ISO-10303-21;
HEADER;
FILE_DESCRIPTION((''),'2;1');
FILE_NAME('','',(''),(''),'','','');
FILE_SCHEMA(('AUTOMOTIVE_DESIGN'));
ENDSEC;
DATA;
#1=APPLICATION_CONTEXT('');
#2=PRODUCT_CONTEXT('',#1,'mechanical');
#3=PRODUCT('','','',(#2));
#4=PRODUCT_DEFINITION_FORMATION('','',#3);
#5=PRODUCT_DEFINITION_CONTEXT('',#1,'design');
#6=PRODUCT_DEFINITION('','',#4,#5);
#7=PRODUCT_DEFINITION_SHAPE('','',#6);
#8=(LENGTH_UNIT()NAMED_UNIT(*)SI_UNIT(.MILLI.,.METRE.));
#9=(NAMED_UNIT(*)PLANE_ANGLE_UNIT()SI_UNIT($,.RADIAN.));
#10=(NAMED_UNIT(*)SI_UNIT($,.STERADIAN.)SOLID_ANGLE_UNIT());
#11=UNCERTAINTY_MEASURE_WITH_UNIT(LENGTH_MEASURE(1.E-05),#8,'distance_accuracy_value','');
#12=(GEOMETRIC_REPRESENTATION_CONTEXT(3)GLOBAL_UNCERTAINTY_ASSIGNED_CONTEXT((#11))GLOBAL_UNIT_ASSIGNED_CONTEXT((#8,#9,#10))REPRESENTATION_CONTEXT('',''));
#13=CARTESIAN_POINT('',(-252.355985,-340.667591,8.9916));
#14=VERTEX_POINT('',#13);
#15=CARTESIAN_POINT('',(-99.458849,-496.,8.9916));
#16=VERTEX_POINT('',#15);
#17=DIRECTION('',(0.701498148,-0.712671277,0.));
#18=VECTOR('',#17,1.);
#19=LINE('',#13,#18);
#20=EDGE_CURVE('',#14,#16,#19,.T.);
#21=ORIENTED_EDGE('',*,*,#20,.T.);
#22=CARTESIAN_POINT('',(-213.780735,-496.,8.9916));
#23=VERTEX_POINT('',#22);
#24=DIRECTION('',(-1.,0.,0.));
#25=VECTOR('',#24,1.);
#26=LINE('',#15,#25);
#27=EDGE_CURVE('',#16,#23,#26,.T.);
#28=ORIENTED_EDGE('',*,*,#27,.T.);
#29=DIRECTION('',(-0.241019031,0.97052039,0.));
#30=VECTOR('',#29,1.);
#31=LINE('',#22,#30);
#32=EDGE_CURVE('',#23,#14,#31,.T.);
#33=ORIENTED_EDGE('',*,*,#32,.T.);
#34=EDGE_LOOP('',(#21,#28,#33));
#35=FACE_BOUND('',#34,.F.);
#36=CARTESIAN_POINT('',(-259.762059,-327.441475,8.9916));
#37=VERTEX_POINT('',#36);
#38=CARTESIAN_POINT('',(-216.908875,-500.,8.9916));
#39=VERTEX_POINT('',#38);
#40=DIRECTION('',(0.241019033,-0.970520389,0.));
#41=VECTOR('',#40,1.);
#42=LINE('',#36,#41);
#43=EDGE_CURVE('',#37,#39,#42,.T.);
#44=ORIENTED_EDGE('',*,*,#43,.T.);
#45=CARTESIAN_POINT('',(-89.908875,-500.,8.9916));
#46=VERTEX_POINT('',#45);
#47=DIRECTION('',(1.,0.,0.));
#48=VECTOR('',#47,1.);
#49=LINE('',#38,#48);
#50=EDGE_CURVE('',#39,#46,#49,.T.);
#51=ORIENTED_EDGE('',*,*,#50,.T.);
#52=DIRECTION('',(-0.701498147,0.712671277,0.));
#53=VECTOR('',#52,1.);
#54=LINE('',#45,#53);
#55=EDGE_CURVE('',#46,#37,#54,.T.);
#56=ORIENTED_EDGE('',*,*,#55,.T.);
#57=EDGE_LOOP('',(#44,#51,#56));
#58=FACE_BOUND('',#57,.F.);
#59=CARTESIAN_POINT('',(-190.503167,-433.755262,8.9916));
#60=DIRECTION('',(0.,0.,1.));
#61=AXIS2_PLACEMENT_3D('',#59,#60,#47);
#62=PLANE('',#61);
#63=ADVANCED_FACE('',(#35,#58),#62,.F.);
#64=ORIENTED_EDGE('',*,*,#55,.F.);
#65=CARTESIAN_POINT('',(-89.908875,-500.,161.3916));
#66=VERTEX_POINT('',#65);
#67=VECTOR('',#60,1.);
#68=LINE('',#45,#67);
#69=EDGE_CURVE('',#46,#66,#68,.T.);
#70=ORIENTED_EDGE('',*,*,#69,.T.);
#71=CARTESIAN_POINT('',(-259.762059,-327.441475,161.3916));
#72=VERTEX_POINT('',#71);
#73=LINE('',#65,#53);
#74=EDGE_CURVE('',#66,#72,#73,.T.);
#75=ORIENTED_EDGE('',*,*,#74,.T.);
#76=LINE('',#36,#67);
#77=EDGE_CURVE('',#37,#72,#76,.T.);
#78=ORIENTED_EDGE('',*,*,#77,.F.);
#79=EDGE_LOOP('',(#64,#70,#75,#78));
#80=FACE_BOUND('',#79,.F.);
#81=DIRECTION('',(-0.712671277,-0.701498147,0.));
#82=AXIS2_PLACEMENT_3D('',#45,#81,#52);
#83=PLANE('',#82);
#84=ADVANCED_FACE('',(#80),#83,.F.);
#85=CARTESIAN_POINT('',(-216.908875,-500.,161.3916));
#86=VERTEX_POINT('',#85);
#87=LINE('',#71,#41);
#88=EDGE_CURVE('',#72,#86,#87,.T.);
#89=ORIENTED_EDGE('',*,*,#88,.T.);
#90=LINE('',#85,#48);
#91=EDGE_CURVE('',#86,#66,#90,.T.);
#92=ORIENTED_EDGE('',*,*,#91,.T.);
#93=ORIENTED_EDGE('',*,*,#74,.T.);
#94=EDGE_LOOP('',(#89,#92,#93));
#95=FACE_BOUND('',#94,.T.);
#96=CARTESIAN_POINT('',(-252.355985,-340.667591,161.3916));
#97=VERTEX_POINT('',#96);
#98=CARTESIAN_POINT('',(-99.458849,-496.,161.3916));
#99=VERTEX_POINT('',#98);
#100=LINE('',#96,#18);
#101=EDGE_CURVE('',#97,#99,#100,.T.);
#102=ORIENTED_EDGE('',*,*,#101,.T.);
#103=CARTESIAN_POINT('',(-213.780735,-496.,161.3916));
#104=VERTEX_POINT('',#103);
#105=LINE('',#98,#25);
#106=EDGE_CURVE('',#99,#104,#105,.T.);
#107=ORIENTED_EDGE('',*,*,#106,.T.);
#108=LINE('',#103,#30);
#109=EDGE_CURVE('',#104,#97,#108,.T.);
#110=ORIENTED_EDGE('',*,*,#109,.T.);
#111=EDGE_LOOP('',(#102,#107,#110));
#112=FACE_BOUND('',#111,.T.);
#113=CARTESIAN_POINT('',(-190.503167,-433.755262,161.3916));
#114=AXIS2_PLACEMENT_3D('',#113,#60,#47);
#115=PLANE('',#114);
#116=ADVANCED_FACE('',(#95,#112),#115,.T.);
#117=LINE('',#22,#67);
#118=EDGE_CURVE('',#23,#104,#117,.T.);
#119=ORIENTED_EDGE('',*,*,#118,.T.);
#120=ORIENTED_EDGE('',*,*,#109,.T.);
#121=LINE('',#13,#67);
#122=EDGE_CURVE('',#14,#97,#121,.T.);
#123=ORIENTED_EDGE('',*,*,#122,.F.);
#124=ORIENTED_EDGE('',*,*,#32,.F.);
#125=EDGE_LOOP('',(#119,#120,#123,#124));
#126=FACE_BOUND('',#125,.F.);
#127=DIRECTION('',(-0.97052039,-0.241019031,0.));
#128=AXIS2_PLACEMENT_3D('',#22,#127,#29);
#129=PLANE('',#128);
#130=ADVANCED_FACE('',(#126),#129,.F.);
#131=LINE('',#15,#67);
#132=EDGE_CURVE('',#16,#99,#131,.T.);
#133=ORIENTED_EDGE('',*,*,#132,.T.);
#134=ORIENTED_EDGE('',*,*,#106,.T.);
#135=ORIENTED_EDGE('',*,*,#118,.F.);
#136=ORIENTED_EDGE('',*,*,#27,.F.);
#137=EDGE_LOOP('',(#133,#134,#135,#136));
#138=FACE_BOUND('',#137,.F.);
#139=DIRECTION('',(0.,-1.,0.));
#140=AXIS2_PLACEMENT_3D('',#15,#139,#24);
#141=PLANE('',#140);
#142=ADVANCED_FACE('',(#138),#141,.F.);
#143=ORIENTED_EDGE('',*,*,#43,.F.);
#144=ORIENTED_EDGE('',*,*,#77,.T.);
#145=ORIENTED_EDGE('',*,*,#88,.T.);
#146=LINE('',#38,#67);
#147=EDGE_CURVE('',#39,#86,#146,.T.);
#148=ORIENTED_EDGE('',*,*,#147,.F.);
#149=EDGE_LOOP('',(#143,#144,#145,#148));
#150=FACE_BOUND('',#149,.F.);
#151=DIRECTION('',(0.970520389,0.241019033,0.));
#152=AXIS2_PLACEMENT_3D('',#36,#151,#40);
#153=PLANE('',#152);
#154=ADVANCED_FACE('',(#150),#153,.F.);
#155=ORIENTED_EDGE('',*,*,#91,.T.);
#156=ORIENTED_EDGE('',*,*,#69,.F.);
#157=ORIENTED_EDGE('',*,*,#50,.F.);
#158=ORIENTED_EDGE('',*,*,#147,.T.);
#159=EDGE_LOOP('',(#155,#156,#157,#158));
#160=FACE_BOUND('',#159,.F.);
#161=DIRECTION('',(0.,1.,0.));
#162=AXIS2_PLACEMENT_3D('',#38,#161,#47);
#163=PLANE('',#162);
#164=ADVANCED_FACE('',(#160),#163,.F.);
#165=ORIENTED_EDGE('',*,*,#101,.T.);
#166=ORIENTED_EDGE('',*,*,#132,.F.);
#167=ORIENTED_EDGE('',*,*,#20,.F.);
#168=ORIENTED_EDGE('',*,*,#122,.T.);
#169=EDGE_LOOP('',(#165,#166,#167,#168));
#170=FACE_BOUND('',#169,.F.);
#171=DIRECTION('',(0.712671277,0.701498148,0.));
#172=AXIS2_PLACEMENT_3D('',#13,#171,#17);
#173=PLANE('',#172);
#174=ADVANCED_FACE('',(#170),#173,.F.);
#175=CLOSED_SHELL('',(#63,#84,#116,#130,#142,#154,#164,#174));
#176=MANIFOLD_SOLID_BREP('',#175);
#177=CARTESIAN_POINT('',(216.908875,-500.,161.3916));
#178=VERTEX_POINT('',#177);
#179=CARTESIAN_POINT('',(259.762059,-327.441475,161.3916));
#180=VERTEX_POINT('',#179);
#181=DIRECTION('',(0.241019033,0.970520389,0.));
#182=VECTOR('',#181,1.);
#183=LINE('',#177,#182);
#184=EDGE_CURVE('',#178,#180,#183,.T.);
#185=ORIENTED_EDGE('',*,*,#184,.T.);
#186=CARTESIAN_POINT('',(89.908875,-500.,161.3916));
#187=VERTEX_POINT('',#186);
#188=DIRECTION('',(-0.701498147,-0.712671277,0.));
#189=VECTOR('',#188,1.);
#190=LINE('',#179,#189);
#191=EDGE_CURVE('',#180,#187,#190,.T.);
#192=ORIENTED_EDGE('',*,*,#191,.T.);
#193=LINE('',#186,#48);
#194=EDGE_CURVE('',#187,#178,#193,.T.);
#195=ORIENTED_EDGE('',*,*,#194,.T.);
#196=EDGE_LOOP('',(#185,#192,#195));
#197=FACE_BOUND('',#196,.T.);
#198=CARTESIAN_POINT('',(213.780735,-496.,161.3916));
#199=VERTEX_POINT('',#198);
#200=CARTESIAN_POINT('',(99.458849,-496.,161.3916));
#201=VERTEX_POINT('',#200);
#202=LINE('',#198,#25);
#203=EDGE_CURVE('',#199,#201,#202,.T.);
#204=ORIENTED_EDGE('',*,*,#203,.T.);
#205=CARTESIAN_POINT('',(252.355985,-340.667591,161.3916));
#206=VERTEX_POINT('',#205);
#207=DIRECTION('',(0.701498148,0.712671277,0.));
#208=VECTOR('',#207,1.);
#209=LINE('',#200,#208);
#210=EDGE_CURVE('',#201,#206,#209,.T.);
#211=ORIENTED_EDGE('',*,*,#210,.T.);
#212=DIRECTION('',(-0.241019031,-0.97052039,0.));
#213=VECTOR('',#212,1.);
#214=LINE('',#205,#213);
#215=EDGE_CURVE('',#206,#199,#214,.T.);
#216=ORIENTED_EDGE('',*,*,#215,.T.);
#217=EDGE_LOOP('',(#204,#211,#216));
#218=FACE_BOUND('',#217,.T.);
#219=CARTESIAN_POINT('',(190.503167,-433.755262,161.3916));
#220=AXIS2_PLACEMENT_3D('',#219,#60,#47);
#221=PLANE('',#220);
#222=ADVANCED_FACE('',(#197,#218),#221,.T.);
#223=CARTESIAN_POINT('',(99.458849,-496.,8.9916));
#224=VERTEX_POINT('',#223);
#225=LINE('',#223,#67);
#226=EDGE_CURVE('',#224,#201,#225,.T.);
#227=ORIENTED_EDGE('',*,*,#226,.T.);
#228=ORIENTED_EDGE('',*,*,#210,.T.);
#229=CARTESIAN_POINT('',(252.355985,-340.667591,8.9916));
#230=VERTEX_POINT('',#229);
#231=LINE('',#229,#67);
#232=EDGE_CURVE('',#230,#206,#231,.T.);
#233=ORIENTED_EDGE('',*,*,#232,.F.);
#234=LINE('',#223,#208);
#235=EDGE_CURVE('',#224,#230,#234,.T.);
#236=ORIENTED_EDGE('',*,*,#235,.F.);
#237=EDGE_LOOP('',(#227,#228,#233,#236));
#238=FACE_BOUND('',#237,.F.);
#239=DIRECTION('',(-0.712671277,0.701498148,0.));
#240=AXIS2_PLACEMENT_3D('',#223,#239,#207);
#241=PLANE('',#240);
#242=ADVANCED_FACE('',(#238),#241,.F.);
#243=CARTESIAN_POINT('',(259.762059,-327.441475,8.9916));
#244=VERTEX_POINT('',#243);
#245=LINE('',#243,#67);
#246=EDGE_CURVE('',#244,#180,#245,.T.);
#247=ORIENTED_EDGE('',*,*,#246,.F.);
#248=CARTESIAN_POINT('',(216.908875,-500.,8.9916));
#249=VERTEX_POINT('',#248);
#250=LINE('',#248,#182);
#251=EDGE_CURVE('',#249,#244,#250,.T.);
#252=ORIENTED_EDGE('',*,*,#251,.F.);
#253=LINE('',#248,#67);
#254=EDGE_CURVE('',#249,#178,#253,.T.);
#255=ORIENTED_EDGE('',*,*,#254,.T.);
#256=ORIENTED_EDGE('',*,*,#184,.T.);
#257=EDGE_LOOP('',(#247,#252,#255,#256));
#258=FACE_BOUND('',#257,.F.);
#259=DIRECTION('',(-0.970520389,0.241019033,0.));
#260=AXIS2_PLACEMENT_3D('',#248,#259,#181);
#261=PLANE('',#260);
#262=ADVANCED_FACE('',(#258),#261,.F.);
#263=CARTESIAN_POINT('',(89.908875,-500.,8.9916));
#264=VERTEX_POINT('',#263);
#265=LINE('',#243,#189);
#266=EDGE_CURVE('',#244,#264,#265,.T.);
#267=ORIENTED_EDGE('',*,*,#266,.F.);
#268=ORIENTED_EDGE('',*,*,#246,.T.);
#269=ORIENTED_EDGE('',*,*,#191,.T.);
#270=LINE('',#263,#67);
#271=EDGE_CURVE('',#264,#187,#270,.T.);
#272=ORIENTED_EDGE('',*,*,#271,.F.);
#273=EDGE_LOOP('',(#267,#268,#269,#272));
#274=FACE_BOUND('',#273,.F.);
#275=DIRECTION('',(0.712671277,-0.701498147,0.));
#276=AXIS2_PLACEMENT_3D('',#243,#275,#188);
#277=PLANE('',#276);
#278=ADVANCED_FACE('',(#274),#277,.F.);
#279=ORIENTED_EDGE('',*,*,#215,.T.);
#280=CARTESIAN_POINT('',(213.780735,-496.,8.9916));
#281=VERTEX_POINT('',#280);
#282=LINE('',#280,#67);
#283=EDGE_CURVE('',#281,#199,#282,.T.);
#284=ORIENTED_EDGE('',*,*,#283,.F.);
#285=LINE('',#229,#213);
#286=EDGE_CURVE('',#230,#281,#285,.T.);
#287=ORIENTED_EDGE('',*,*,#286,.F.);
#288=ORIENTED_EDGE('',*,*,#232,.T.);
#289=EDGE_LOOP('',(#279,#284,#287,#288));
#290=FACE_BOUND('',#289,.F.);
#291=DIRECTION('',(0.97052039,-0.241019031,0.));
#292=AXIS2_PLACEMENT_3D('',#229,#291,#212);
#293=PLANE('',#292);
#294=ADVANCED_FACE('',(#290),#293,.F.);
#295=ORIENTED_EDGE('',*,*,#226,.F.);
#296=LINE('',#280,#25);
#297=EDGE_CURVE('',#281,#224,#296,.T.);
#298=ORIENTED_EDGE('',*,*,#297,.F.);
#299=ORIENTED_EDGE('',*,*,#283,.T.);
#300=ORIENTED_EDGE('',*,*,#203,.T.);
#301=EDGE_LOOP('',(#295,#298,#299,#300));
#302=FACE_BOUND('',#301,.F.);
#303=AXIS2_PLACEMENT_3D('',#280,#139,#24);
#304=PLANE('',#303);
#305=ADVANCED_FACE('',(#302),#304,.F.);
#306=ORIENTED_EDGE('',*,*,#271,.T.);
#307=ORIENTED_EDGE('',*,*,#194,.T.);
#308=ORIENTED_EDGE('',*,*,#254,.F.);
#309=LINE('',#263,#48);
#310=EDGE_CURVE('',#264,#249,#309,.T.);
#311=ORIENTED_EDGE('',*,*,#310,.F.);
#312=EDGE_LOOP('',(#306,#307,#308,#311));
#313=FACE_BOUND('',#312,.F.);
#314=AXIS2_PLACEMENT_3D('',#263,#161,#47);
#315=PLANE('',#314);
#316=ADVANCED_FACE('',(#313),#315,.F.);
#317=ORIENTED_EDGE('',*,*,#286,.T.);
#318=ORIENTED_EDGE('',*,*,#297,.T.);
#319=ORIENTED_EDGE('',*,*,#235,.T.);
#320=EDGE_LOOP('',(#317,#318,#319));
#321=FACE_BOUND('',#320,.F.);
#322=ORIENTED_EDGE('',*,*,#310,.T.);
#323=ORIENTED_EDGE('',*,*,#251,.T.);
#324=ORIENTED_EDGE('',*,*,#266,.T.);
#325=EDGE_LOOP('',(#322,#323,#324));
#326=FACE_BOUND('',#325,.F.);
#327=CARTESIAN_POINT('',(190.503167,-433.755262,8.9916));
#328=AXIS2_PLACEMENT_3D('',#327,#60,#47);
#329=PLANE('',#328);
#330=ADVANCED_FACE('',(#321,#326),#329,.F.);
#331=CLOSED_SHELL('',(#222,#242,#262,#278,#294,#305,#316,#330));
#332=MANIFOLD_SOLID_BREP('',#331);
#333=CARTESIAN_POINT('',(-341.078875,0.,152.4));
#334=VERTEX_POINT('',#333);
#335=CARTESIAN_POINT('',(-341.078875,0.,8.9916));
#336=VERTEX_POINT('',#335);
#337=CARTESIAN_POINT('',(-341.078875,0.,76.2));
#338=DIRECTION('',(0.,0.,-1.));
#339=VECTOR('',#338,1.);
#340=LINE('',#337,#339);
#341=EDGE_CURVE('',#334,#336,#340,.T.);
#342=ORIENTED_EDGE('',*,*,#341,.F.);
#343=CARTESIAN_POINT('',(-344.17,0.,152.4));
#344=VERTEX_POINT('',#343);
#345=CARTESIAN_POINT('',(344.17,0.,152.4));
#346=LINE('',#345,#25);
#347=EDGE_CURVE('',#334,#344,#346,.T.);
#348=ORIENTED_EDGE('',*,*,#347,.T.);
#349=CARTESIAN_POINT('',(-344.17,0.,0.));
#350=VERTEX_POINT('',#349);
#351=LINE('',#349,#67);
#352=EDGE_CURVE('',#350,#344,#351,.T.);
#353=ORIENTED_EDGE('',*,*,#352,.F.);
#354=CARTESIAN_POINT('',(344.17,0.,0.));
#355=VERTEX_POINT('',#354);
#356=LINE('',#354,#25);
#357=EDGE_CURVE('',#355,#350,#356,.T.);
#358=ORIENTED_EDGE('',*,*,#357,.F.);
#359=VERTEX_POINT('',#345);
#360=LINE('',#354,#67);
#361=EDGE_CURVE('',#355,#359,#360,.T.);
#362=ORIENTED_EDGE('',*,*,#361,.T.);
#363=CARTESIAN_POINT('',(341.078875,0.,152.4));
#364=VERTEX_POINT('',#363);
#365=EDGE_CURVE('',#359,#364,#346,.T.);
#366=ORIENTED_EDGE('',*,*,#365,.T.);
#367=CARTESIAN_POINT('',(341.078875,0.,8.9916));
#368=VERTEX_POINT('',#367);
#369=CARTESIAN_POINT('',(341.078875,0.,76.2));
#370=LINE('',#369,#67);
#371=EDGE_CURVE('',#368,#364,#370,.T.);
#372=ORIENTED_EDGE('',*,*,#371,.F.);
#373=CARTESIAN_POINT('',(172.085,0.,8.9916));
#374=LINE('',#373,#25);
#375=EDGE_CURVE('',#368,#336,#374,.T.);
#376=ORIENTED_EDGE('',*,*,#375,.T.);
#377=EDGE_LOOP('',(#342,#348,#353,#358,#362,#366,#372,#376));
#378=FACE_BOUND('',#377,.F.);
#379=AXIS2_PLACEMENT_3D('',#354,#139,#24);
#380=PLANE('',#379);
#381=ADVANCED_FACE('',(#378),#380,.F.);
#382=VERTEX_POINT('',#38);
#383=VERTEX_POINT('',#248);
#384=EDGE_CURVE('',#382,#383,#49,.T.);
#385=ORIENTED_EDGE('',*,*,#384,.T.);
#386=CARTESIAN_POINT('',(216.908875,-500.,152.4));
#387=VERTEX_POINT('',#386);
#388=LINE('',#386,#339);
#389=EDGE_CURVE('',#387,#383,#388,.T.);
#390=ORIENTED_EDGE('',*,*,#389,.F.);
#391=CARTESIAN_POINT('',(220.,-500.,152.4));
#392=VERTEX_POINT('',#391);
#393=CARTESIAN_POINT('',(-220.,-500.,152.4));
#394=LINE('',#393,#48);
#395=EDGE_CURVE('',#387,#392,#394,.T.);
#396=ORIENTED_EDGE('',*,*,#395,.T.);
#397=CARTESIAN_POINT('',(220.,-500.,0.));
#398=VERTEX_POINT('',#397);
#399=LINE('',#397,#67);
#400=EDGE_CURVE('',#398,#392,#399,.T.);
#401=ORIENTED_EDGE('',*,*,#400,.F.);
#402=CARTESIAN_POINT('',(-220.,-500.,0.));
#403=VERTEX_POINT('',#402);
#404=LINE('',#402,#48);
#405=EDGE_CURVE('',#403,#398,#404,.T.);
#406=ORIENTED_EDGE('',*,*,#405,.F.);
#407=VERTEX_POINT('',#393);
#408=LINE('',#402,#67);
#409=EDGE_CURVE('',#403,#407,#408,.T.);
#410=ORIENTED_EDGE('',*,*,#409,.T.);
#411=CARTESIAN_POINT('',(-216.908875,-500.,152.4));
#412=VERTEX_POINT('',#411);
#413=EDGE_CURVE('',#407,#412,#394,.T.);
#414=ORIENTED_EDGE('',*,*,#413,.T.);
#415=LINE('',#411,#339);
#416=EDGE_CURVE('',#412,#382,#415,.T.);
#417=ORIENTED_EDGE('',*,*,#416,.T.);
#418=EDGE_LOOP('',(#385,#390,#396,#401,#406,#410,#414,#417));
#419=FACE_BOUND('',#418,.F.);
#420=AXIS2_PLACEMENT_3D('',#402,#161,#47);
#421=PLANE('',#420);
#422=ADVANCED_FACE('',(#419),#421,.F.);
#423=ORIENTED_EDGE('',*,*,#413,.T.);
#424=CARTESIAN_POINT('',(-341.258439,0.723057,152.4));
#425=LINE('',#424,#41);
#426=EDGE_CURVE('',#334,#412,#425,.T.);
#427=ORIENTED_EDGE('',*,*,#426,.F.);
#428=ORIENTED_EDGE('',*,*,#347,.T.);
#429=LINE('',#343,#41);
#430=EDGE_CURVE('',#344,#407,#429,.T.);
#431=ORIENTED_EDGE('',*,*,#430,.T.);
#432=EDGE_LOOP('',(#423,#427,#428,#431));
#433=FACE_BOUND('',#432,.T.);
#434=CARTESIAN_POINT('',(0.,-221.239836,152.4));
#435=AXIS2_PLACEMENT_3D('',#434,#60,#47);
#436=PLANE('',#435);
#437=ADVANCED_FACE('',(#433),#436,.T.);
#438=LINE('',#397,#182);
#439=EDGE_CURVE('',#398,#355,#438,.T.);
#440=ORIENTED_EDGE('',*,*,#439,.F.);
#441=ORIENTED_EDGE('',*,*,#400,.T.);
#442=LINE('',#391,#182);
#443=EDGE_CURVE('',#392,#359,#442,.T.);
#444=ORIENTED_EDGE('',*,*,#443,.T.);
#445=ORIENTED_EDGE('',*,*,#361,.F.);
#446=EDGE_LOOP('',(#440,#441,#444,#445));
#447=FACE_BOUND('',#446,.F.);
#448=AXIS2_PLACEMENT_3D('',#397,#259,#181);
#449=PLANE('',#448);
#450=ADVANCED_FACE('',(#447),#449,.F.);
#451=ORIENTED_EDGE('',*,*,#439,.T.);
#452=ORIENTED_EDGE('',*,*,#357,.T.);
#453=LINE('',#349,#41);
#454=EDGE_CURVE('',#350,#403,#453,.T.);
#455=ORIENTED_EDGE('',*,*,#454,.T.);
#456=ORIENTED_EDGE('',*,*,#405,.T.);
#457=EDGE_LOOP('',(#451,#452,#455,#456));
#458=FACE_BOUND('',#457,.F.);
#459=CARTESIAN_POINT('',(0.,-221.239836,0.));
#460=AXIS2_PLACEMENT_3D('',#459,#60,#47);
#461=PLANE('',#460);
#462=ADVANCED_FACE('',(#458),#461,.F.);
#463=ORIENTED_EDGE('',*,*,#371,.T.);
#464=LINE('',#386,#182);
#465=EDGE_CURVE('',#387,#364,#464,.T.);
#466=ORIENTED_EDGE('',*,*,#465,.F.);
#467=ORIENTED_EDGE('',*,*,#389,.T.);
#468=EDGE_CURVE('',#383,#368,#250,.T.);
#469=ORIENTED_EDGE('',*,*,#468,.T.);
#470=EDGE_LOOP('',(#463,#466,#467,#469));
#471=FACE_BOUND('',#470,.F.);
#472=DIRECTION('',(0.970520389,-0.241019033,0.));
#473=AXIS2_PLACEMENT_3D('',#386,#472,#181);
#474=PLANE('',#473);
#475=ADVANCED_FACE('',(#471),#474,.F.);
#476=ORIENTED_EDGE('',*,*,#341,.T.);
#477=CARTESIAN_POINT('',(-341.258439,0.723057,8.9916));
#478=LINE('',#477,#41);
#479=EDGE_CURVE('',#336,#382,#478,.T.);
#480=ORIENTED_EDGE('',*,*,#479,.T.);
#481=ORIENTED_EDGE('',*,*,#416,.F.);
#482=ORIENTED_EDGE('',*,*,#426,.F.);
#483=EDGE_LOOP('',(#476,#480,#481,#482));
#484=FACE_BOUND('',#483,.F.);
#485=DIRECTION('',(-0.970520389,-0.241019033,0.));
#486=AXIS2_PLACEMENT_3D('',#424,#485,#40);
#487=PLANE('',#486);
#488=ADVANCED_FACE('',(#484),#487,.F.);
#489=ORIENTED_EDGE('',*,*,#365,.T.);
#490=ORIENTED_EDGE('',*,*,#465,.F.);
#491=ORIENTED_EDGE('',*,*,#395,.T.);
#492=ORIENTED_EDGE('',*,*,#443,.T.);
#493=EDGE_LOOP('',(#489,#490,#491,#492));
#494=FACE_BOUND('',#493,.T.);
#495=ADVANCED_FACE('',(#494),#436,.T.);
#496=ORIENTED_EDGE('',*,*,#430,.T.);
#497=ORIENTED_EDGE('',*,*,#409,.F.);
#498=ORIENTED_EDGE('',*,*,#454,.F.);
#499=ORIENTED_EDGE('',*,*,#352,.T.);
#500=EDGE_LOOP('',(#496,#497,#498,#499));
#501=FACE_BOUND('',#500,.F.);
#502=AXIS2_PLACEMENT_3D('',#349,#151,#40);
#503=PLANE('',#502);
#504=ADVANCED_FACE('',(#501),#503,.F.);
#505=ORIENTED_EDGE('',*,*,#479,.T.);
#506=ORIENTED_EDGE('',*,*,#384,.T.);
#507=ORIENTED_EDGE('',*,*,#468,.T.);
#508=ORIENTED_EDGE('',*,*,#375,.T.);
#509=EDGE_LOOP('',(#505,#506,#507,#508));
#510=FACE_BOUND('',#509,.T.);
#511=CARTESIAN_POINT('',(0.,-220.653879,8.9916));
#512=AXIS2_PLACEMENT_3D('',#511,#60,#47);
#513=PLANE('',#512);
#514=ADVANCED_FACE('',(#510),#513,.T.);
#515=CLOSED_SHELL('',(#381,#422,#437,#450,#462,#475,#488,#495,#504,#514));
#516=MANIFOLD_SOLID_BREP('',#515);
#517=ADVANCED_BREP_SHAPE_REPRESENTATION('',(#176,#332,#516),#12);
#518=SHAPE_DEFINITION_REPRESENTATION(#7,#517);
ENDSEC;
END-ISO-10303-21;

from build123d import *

# Parameters (mm, degrees)
F1_DEPTH = 152.4
F3_DEPTH = 143.4084
F5_DEPTH = 152.4


with BuildPart() as f1:
    # F0 (on Top) → F1 (new body)
    with BuildSketch(Plane.XY):
        Polygon((344.17, 0), (-344.17, 0), (-220, -500), (220, -500), align=None)
    extrude(amount=F1_DEPTH)

    # F2 (on face) → F3 (cut)
    with BuildSketch(Plane.XY.offset(152.4)):
        Polygon((-341.258439, 0.723057), (-216.908875, -500), (216.908875, -500), (341.258439, 0.723057), align=None)
    extrude(amount=-F3_DEPTH, mode=Mode.SUBTRACT)


with BuildPart() as f5:
    # F4 (on face) → F5 (new body)
    with BuildSketch(Plane.XY.offset(8.9916)):
        Polygon((89.908875, -500), (216.908875, -500), (259.762059, -327.441475), align=None)
        Polygon((213.780735, -496), (99.458849, -496), (252.355985, -340.667591), align=None, mode=Mode.SUBTRACT)
        Polygon((-259.762059, -327.441475), (-216.908875, -500), (-89.908875, -500), align=None)
        Polygon((-252.355985, -340.667591), (-99.458849, -496), (-213.780735, -496), align=None, mode=Mode.SUBTRACT)
    extrude(amount=F5_DEPTH)


solid = Compound([f1.part, f5.part])
